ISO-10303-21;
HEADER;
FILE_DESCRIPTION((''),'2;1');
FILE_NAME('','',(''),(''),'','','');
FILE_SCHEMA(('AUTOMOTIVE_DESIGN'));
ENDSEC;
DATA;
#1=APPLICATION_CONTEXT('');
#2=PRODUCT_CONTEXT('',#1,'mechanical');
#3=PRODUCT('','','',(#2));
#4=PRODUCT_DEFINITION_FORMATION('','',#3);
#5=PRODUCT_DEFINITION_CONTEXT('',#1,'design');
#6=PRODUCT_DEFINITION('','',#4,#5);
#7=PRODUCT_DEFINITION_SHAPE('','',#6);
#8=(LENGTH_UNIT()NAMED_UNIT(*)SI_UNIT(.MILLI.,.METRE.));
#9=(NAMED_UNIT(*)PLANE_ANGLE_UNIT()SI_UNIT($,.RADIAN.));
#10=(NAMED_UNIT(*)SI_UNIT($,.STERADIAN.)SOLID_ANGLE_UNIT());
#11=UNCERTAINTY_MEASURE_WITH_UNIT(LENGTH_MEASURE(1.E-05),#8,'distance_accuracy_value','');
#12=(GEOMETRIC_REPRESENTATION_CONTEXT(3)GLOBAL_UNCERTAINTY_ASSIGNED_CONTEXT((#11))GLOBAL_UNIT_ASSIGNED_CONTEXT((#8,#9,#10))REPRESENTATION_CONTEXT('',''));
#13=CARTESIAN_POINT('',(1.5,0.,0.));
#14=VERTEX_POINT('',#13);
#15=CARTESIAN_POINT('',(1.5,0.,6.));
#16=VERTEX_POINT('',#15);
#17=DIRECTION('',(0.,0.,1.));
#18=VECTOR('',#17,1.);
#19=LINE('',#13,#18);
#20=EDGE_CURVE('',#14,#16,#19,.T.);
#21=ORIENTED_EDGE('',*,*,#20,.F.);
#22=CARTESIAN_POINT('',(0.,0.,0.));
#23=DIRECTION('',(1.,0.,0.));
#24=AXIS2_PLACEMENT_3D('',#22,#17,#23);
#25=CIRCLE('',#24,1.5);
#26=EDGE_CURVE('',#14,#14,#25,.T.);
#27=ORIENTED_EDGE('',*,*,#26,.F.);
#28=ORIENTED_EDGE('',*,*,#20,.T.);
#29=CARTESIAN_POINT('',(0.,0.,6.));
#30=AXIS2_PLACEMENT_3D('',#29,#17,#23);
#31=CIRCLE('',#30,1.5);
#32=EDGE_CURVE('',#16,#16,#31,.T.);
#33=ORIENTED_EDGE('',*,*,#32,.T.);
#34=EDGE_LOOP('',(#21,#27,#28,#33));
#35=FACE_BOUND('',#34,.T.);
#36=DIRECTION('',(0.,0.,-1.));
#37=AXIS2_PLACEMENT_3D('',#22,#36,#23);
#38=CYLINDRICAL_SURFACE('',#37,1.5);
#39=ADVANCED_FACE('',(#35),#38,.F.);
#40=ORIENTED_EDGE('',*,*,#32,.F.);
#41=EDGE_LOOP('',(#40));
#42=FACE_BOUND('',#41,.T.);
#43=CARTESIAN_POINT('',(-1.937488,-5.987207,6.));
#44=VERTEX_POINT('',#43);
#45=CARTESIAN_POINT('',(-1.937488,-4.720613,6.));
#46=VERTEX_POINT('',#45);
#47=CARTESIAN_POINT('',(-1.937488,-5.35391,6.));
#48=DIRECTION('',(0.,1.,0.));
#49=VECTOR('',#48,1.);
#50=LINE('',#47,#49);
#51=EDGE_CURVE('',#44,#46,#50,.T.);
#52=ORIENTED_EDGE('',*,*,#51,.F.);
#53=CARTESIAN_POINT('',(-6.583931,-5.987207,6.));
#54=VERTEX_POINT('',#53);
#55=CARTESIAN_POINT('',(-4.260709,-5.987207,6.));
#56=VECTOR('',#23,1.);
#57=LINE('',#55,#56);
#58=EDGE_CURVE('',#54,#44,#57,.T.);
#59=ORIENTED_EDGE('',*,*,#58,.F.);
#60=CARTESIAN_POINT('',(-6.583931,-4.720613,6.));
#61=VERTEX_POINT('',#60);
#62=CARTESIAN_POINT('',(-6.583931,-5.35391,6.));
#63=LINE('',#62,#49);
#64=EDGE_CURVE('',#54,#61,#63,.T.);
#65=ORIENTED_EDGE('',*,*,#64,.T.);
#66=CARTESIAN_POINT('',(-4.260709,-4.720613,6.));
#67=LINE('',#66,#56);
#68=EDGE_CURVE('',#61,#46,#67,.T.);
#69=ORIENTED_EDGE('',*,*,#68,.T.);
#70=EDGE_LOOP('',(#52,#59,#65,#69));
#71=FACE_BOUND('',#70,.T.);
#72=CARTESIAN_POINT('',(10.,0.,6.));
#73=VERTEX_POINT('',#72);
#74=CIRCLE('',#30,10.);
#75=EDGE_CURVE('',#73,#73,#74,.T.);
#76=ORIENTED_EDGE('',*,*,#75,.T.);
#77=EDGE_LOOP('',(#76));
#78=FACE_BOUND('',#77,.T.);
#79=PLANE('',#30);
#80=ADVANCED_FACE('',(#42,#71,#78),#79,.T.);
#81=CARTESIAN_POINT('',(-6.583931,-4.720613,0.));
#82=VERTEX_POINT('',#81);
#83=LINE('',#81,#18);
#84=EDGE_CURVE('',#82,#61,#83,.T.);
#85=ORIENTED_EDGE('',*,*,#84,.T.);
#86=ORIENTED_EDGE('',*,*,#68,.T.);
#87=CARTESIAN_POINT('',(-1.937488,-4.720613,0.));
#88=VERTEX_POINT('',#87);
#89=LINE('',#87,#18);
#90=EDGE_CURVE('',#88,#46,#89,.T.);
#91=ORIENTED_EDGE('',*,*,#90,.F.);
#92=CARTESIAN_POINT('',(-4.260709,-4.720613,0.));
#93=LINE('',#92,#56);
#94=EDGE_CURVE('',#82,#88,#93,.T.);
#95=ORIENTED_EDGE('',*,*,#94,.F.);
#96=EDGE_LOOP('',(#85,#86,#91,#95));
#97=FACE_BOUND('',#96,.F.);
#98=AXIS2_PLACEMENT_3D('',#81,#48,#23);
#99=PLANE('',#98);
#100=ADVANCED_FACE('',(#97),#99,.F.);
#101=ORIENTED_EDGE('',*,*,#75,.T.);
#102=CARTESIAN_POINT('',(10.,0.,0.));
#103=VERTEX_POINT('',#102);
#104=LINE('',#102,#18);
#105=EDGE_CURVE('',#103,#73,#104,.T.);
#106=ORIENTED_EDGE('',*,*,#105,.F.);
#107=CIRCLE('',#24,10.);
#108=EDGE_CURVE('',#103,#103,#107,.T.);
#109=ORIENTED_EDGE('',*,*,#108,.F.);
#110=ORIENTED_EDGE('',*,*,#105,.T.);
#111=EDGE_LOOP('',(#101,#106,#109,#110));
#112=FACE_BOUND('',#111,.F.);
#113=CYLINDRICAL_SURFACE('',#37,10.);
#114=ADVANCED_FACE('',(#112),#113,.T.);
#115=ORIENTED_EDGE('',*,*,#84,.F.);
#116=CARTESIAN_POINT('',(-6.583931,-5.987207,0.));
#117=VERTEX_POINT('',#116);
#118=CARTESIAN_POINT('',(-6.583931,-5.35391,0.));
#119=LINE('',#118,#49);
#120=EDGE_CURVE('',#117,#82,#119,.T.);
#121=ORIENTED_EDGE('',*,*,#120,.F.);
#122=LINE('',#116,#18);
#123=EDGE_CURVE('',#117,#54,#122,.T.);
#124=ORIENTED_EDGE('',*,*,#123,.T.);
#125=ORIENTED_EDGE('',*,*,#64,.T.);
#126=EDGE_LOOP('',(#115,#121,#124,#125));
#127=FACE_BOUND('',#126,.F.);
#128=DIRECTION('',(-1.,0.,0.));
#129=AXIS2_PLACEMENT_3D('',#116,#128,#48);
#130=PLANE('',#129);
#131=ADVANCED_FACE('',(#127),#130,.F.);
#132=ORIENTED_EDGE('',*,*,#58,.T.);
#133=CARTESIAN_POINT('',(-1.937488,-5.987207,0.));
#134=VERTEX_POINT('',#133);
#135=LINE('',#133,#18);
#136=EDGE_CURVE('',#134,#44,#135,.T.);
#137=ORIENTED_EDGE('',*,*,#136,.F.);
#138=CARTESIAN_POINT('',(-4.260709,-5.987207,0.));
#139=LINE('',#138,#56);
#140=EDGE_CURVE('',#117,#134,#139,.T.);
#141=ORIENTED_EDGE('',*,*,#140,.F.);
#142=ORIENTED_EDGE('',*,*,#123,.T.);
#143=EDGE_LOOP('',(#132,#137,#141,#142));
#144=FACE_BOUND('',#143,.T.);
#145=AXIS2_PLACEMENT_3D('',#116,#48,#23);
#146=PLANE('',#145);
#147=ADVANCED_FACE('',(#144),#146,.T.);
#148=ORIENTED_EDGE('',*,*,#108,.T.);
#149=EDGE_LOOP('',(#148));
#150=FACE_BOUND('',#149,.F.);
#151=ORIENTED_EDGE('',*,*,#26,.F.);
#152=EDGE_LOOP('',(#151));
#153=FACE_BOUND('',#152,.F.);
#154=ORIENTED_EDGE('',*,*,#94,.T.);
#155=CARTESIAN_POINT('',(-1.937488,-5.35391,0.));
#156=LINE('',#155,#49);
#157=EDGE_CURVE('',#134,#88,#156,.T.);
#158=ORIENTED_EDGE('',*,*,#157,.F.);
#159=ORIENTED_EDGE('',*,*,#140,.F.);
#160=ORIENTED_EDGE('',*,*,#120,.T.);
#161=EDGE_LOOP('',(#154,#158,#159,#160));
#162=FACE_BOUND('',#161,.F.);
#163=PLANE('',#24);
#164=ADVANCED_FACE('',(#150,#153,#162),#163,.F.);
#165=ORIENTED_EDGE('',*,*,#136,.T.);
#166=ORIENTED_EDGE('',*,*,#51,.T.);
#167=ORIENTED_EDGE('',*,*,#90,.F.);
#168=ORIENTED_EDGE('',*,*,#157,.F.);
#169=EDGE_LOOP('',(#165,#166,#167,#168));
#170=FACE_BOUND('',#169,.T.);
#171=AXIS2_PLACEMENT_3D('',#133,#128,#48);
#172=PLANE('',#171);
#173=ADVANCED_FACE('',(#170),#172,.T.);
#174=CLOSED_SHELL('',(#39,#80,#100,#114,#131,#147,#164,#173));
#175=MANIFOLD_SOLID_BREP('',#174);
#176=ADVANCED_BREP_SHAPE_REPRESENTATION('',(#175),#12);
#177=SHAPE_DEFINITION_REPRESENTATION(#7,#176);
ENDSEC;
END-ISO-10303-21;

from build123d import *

# Parameters (mm, degrees)
F0_R     = 10
F0_W     = 4.646443
F0_H     = 1.266593
F0_R_2   = 1.5
F1_DEPTH = 6


with BuildPart() as f1:
    # F0 (on Top) → F1 (new body)
    with BuildSketch(Plane.XY):
        Circle(F0_R)
        with Locations((-4.260709, -5.35391)):
            Rectangle(F0_W, F0_H, mode=Mode.SUBTRACT)
        Circle(F0_R_2, mode=Mode.SUBTRACT)
    extrude(amount=F1_DEPTH)


solid = f1.part
